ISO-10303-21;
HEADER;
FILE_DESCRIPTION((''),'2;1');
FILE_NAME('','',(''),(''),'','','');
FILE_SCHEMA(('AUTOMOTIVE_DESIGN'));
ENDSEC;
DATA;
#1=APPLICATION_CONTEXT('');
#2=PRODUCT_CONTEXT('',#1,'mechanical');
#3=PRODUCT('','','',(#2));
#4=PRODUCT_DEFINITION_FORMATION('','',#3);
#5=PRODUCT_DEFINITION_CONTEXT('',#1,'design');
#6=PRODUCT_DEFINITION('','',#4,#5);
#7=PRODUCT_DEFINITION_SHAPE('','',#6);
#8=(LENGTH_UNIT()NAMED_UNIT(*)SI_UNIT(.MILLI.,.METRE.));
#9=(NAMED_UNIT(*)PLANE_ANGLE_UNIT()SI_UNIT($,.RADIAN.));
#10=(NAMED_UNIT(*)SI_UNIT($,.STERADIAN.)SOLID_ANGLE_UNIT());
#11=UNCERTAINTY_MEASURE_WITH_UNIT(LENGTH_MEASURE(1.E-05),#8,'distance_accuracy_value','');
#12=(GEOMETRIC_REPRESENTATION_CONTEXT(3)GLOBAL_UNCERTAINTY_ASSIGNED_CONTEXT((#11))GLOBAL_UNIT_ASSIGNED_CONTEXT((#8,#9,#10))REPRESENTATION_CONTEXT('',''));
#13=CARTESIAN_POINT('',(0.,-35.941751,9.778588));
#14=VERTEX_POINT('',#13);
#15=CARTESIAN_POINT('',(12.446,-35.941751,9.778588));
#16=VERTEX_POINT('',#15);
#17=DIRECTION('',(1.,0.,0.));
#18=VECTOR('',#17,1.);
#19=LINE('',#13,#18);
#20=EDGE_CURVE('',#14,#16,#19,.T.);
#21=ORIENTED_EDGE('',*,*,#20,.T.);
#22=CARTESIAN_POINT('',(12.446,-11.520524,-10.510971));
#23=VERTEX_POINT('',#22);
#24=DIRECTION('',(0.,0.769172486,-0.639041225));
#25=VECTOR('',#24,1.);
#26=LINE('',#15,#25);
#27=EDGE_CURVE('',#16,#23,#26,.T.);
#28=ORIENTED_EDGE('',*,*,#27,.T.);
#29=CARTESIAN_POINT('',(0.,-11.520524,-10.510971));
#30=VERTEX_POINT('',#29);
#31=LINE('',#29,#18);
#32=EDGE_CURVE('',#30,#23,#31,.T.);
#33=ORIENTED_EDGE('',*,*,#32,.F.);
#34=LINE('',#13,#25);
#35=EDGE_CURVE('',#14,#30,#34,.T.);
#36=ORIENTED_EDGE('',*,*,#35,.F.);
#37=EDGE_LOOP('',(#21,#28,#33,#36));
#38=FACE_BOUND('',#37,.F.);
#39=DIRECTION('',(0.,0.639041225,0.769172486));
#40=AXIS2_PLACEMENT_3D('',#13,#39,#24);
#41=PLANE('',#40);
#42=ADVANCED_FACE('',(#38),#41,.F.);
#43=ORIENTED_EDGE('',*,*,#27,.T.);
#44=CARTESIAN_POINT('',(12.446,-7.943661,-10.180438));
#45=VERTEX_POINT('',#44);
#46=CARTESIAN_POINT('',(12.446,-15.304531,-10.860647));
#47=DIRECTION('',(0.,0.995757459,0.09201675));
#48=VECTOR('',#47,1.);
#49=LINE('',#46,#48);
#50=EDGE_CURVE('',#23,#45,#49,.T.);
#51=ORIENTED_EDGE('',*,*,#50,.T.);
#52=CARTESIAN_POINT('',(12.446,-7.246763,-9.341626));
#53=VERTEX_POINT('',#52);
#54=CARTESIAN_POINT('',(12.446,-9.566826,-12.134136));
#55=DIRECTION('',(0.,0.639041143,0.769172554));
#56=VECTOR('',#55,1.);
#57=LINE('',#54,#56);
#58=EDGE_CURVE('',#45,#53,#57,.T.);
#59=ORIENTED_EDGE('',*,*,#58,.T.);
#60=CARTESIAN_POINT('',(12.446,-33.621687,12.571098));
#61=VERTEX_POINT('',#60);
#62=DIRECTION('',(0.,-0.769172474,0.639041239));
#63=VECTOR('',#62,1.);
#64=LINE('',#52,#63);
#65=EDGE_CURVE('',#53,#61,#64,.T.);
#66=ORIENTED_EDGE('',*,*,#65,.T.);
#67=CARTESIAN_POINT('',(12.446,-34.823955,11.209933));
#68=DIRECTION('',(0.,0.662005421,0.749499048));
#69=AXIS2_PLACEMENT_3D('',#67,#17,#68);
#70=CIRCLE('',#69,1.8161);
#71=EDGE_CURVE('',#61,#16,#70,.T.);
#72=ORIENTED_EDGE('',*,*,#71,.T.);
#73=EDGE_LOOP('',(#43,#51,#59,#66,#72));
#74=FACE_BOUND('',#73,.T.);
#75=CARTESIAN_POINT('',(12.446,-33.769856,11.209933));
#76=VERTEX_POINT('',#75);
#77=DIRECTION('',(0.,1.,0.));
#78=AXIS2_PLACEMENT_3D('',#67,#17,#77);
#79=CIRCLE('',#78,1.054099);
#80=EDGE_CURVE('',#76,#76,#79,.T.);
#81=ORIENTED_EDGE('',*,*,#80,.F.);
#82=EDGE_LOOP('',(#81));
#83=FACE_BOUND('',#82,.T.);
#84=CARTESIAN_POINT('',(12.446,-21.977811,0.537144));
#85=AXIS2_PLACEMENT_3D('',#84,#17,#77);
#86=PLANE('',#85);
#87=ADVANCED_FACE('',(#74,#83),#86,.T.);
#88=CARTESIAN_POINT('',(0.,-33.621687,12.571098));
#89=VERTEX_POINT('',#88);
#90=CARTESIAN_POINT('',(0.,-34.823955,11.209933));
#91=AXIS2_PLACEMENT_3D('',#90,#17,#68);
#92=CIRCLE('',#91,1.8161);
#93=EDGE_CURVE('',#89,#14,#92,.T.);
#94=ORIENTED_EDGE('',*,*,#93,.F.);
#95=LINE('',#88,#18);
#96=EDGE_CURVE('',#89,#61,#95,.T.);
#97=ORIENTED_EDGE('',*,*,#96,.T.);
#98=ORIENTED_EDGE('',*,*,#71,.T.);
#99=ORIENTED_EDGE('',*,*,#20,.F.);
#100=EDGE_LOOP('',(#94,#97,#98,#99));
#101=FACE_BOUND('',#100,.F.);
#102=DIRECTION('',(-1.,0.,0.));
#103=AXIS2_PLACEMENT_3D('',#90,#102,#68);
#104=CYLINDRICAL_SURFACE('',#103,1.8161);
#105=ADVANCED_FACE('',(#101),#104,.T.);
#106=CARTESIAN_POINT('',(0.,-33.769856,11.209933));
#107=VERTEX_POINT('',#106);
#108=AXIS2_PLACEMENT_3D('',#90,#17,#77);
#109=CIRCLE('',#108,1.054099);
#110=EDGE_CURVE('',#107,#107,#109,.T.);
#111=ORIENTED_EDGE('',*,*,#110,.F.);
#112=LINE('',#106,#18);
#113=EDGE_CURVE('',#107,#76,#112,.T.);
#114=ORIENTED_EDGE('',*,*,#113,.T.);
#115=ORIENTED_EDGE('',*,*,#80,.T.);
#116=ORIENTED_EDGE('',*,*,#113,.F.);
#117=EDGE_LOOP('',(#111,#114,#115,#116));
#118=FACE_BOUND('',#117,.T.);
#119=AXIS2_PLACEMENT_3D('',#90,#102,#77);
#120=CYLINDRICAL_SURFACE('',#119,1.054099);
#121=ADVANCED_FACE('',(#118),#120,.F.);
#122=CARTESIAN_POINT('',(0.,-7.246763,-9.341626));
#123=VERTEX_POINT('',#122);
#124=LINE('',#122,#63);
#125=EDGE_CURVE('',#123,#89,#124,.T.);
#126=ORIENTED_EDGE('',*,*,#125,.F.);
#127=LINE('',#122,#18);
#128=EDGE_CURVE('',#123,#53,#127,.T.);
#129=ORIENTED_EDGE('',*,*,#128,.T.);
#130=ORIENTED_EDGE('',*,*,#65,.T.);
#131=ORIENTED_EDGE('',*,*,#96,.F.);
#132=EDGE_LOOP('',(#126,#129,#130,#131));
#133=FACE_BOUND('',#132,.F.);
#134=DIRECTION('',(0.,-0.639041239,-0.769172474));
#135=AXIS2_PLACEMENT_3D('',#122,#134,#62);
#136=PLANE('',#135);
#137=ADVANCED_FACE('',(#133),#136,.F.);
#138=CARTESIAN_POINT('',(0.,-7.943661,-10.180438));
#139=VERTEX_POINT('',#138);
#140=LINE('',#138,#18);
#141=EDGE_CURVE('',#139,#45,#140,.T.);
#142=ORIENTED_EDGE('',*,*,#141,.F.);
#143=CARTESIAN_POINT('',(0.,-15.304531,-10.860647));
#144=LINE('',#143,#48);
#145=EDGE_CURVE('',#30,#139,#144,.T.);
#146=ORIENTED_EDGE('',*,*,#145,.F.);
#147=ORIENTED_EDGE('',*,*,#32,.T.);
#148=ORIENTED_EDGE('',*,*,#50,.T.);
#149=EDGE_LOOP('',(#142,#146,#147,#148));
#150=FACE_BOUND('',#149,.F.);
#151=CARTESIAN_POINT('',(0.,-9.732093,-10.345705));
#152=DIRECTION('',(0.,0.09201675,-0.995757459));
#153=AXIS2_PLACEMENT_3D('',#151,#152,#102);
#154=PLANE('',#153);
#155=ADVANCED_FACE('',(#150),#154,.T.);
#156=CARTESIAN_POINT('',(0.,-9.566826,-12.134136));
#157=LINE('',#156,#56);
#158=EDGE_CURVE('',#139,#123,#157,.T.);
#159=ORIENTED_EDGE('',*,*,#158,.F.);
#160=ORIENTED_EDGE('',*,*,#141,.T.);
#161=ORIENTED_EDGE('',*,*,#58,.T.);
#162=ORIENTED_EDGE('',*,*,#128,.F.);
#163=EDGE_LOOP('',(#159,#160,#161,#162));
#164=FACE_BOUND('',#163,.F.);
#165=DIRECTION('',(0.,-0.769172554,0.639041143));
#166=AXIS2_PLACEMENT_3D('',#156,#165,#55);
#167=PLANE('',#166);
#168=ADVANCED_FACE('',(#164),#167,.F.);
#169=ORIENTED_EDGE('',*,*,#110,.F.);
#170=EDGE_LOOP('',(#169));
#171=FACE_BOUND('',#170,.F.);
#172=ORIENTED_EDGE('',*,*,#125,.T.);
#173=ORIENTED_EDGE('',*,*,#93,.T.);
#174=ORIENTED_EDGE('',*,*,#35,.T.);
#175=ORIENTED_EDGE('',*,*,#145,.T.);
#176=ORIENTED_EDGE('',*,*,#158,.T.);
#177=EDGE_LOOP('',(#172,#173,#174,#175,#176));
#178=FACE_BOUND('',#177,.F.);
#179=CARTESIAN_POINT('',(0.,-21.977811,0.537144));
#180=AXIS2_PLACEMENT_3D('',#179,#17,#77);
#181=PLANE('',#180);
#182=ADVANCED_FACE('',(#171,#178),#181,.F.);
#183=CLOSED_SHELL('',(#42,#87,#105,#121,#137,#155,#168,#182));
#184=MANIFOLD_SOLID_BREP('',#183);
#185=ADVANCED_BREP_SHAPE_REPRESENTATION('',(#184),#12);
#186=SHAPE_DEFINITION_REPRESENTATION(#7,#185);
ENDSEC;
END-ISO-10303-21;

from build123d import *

# Parameters (mm, degrees)
F0_R     = 1.054099
F1_DEPTH = 12.446
F2_SIZE  = 2.54


with BuildPart() as f1:
    # F0 (on Right) → F1 (new body)
    with BuildSketch(Plane.YZ):
        with BuildLine():
            Line((-35.941751, 9.778588), (-9.566826, -12.134136))
            Line((-9.566826, -12.134136), (-7.246763, -9.341626))
            Line((-7.246763, -9.341626), (-33.621687, 12.571098))
            ThreePointArc((-33.621687, 12.571098), (-36.220849, 12.370495), (-35.941751, 9.778588))
        make_face()
        with Locations((-34.823955, 11.209933)):
            Circle(F0_R, mode=Mode.SUBTRACT)
    extrude(amount=F1_DEPTH)

    # F2
    f2_edges = [f1.edges().sort_by_distance(p)[0] for p in [
        (6.223, -9.566826, -12.134136),
    ]]
    chamfer(f2_edges, length=F2_SIZE)


solid = f1.part
